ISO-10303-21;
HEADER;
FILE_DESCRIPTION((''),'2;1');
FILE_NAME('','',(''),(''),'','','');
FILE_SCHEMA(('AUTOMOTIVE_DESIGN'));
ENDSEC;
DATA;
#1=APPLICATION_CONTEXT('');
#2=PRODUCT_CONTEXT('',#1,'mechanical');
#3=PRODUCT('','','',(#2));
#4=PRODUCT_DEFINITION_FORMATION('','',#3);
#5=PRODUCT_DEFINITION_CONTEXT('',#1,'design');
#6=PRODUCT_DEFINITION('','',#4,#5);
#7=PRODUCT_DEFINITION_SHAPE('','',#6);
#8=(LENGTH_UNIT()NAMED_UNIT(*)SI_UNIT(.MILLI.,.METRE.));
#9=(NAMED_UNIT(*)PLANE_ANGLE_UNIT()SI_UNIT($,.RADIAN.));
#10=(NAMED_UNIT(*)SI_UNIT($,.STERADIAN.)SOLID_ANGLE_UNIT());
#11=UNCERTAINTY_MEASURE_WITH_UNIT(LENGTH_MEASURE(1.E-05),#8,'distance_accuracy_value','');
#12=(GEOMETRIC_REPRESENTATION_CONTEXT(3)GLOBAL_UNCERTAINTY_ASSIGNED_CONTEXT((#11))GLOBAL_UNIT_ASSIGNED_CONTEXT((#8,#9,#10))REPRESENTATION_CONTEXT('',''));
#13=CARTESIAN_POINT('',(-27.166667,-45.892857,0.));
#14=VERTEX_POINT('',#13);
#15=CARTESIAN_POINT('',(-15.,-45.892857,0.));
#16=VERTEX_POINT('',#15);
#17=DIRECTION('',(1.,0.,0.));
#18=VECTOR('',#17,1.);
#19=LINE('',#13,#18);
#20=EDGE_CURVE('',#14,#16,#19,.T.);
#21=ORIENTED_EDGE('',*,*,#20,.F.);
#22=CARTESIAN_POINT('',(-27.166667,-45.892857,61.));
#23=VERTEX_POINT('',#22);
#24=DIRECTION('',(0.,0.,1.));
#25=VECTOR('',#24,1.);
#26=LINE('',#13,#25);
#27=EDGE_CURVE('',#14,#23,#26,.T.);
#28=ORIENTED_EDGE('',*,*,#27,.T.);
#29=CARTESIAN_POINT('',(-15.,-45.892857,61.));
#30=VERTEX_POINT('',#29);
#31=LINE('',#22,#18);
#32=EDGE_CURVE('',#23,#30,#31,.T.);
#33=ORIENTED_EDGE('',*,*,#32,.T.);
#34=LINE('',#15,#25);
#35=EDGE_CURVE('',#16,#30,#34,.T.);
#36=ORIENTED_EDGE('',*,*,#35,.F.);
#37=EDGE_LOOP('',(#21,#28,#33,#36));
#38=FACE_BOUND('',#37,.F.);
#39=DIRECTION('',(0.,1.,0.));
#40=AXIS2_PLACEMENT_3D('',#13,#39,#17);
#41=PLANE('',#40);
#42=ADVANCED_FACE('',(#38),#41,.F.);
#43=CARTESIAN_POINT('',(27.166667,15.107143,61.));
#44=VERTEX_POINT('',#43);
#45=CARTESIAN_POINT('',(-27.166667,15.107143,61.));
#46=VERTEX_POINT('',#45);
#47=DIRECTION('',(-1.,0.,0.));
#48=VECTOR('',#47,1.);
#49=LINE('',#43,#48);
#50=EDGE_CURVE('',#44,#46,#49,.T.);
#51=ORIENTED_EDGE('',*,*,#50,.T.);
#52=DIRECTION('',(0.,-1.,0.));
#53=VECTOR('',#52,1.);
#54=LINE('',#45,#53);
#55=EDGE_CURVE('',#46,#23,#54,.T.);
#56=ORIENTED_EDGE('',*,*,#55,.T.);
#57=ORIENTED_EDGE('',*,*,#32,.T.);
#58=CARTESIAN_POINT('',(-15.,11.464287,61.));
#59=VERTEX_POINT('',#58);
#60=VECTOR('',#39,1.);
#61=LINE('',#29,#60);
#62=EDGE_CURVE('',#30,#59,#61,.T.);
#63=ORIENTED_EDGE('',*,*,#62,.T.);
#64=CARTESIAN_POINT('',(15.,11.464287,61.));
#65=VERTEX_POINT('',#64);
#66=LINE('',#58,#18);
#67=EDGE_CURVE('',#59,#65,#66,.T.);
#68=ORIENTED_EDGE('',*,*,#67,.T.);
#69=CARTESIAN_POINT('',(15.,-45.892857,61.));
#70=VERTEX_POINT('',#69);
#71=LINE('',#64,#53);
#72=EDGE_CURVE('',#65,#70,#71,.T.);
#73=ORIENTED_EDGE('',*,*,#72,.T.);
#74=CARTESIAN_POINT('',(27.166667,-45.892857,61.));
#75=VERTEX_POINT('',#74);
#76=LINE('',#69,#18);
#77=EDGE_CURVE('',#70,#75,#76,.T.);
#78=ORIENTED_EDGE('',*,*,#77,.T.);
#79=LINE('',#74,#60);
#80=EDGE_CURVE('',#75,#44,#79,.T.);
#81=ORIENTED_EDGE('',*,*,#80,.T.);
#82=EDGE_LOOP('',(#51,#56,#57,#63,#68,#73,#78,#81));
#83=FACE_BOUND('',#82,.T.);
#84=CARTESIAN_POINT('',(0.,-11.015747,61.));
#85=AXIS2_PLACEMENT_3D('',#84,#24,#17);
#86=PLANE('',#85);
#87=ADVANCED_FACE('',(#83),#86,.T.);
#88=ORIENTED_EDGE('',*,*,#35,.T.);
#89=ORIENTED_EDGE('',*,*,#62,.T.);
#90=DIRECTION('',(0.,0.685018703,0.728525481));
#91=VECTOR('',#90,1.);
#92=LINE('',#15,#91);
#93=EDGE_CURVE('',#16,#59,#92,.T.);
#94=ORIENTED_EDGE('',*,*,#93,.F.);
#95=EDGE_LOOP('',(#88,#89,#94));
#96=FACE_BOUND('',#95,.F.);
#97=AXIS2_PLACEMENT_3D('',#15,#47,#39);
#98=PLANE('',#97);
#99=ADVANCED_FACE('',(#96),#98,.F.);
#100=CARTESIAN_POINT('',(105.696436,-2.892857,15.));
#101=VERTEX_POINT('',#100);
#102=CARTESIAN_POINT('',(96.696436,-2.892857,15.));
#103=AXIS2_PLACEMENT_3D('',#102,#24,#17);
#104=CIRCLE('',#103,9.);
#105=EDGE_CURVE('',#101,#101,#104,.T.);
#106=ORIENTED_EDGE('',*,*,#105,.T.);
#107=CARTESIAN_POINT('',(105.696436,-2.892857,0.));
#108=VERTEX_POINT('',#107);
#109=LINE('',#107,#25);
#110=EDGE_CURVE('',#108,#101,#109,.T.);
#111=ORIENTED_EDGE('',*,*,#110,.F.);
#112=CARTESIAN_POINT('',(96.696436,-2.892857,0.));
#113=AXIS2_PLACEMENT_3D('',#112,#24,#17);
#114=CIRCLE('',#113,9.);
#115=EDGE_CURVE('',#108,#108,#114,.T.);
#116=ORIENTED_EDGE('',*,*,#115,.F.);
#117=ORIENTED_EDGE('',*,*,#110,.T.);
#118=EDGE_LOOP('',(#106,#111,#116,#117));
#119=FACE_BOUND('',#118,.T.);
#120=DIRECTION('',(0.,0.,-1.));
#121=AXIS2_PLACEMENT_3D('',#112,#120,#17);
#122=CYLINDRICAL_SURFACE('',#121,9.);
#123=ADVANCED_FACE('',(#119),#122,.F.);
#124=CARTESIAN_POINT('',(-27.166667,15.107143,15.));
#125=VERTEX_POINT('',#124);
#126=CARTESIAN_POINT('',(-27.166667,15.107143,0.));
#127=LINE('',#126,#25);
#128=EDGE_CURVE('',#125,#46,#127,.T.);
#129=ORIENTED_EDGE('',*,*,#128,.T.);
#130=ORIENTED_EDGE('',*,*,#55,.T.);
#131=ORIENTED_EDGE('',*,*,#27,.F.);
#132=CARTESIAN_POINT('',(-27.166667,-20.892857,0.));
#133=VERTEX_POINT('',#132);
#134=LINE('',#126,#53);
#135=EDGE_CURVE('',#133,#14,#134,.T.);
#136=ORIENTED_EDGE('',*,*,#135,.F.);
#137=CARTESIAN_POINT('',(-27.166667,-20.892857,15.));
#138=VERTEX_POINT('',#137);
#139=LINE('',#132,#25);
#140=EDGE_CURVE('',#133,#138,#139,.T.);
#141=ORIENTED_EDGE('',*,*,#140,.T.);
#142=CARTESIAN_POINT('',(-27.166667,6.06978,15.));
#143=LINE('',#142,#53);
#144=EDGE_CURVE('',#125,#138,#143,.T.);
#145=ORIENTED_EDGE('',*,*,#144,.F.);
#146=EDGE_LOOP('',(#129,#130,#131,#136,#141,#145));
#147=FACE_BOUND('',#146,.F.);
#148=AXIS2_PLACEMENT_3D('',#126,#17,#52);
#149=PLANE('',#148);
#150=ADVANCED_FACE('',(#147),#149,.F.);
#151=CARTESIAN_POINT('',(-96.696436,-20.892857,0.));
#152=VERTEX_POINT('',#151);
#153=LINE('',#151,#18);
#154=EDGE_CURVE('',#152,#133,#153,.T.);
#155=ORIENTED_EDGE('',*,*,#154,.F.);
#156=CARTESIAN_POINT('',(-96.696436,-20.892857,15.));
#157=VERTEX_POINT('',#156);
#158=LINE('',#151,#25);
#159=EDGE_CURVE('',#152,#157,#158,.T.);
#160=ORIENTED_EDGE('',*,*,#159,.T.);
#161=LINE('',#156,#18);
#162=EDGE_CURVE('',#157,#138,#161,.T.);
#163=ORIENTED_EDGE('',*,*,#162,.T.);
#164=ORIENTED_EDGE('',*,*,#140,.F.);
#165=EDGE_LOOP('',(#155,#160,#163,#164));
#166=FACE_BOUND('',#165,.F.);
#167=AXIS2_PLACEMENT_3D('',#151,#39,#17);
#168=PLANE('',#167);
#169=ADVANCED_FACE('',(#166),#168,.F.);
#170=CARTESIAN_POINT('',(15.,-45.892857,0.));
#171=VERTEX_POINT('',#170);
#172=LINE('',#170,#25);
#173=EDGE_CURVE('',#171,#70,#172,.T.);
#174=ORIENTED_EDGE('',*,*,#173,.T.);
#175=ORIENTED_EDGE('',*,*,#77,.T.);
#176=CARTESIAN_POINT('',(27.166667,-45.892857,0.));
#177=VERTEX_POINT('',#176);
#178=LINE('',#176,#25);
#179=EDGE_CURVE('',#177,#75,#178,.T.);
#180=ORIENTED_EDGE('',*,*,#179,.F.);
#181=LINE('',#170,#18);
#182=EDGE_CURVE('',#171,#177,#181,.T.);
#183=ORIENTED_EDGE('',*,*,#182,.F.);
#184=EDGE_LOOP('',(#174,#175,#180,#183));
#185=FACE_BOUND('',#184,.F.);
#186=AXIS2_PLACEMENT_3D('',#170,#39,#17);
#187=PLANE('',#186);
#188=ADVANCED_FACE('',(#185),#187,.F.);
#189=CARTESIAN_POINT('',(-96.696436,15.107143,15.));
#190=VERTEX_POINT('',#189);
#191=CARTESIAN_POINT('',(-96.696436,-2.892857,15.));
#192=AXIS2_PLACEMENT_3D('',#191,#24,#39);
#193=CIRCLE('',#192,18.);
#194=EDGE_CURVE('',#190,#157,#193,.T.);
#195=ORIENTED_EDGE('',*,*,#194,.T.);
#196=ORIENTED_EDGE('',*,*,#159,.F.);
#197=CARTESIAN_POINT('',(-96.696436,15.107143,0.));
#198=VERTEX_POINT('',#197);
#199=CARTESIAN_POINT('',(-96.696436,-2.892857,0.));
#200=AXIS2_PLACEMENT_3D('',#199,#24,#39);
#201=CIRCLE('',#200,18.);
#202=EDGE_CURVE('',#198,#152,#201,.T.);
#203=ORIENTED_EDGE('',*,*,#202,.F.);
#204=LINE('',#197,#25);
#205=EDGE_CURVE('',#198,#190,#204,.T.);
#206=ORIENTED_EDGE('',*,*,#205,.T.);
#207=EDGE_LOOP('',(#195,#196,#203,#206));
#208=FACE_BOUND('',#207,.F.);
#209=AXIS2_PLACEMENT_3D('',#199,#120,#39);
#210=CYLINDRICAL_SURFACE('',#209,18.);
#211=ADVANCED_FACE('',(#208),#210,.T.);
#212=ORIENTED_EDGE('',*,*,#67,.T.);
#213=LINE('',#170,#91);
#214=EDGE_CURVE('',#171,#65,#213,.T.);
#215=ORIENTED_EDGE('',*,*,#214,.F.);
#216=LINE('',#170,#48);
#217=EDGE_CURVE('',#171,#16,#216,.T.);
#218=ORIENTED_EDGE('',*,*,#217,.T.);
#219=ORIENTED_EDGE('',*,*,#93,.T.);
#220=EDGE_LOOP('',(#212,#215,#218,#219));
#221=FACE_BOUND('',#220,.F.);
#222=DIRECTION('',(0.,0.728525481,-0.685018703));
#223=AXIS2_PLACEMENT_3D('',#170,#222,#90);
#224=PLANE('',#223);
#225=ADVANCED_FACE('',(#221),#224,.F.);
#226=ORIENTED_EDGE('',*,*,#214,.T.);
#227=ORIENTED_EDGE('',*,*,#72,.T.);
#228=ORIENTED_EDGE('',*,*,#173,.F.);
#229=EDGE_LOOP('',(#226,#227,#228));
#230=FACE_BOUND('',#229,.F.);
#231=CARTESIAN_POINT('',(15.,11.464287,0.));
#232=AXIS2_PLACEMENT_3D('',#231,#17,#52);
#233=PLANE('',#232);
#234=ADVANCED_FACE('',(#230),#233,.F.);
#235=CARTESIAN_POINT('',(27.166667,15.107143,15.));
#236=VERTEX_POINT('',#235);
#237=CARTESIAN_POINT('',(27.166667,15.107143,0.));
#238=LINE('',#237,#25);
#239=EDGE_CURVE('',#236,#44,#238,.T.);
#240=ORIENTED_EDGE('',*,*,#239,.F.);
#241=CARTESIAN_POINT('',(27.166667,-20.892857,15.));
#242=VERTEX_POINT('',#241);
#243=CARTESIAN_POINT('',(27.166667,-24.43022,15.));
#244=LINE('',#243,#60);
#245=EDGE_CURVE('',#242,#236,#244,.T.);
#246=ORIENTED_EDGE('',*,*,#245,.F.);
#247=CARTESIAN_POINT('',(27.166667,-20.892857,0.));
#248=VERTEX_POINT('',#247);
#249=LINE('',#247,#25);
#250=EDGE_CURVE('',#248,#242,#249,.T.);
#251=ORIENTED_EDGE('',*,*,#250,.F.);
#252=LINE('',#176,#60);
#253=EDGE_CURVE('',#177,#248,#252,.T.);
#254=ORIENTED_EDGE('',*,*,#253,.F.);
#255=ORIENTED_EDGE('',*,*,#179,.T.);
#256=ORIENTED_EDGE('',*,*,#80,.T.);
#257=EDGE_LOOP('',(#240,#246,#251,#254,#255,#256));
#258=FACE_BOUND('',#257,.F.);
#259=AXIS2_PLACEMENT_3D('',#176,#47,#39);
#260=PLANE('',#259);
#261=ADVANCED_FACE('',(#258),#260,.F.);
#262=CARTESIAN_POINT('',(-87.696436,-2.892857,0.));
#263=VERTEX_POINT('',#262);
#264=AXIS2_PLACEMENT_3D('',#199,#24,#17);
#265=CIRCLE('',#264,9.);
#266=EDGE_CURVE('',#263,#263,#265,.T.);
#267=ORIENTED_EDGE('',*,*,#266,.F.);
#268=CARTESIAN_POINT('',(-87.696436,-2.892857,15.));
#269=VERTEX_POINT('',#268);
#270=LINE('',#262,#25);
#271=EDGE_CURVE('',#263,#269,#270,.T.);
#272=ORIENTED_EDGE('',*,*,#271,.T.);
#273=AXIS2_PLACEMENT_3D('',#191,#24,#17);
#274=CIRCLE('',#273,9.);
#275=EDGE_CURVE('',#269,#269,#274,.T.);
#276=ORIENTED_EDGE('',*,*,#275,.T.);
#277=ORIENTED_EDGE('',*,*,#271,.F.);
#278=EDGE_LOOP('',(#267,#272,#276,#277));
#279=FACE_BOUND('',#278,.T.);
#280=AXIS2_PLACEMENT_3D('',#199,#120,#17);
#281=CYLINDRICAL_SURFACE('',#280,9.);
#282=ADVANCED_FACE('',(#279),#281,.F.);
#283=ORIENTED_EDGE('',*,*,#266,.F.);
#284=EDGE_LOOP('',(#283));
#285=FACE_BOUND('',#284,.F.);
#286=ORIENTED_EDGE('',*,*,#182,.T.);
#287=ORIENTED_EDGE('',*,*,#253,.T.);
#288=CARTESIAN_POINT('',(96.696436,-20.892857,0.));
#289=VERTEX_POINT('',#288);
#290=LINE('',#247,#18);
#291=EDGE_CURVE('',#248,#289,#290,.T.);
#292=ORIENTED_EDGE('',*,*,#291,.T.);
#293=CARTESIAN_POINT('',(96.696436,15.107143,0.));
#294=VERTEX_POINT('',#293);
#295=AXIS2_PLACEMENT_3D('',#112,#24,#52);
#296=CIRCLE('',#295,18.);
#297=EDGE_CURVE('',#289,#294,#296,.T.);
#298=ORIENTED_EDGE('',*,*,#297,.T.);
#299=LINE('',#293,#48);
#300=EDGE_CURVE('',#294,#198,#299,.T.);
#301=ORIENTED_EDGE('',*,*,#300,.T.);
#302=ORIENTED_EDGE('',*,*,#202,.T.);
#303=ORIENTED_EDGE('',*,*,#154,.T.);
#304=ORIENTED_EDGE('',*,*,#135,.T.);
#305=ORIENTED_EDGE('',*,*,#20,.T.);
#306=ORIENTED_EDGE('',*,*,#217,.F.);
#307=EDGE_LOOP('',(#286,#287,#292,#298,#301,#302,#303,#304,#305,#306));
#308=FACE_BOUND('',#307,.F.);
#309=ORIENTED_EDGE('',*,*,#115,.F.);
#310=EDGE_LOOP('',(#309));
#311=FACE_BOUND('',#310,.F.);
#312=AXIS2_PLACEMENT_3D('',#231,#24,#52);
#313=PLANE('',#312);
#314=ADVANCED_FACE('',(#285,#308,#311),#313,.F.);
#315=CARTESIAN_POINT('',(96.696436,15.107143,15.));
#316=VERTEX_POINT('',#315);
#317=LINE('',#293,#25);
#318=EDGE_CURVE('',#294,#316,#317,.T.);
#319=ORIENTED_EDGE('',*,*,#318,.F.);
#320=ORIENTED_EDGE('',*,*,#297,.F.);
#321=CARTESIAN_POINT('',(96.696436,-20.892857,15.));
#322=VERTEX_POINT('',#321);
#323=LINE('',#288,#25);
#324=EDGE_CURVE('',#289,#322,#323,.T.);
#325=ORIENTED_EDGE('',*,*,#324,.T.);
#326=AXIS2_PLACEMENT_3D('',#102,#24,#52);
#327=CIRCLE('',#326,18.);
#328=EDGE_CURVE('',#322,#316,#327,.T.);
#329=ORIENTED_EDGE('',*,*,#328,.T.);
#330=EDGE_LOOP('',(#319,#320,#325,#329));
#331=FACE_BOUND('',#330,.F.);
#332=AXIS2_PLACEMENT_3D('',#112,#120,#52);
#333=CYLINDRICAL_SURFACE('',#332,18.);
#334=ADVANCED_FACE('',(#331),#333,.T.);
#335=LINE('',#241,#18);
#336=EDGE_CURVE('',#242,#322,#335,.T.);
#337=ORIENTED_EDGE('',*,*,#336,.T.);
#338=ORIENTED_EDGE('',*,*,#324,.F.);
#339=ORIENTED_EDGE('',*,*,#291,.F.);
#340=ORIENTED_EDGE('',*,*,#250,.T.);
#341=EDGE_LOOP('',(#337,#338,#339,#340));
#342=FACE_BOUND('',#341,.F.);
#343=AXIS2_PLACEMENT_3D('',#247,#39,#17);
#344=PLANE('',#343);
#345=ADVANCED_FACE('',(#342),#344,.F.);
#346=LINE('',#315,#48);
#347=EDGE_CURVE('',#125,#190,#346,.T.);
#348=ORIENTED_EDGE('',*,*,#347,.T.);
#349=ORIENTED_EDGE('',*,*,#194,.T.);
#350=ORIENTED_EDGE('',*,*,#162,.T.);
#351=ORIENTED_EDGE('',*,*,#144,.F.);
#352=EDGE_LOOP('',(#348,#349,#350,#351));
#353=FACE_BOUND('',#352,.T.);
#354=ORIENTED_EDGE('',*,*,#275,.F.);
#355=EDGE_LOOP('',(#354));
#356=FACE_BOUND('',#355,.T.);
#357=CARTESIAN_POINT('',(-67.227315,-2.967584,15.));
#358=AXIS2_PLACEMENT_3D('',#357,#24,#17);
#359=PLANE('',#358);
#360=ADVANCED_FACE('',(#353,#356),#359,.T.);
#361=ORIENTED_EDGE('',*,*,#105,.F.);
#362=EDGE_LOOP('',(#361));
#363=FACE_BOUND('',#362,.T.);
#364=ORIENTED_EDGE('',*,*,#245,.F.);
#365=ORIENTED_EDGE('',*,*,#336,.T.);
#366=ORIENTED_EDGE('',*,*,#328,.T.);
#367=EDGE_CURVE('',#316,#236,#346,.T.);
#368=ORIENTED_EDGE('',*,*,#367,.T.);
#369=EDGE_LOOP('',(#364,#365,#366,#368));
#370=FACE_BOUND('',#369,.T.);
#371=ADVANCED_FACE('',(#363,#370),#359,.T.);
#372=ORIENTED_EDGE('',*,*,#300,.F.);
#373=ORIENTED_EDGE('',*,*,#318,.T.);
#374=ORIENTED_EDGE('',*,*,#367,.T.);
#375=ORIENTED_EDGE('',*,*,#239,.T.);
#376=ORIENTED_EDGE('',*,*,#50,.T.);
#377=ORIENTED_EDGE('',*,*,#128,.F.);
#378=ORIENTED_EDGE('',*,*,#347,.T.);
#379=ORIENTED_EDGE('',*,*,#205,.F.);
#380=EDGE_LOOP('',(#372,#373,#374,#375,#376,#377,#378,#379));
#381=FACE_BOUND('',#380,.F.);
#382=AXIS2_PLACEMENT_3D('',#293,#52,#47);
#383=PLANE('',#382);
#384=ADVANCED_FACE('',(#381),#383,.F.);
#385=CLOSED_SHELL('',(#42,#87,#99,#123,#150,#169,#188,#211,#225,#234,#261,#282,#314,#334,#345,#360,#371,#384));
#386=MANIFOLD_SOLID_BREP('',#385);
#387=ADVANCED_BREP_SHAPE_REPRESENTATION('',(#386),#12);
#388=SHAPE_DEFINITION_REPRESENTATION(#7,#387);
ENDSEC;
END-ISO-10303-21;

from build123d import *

# Parameters (mm, degrees)
F1_DEPTH = 61
F0_R     = 9
F2_DEPTH = 15
F4_DEPTH = 30


with BuildPart() as f1:
    # F0 (on Top) → F1 (new body)
    with BuildSketch(Plane.XY):
        Polygon((0, 15.107143), (-27.166667, 15.107143), (-27.166667, -20.892857), (-27.166667, -45.892857), (-15, -45.892857), (-15, 11.464287), (0, 11.464287), (15, 11.464287), (15, -45.892857), (27.166667, -45.892857), (27.166667, -20.892857), (27.166667, 15.107143), align=None)
    extrude(amount=F1_DEPTH)

    # F0 (on Top) → F2 (join)
    with BuildSketch(Plane.XY):
        with BuildLine():
            Line((-27.166667, 15.107143), (-96.696436, 15.107143))
            ThreePointArc((-96.696436, 15.107143), (-114.696436, -2.892857), (-96.696436, -20.892857))
            ThreePointArc((-96.696436, -20.892857), (-93.708552, -20.64314), (-90.803571, -19.900918))
            Line((-90.803571, -19.900918), (-90.803571, -20.892857))
            Line((-90.803571, -20.892857), (-27.166667, -20.892857))
            Line((-27.166667, -20.892857), (-27.166667, 15.107143))
        make_face()
        with Locations((-96.696436, -2.892857)):
            Circle(F0_R, mode=Mode.SUBTRACT)
        Polygon((0, 15.107143), (-27.166667, 15.107143), (-27.166667, -20.892857), (-27.166667, -45.892857), (-15, -45.892857), (-15, 11.464287), (0, 11.464287), (15, 11.464287), (15, -45.892857), (27.166667, -45.892857), (27.166667, -20.892857), (27.166667, 15.107143), align=None)
        with BuildLine():
            ThreePointArc((-90.803571, -19.900918), (-93.708552, -20.64314), (-96.696436, -20.892857))
            Line((-96.696436, -20.892857), (-90.803571, -20.892857))
            Line((-90.803571, -20.892857), (-90.803571, -19.900918))
        make_face()
        with BuildLine():
            Line((96.696436, 15.107143), (27.166667, 15.107143))
            Line((27.166667, 15.107143), (27.166667, -20.892857))
            Line((27.166667, -20.892857), (96.696436, -20.892857))
            ThreePointArc((96.696436, -20.892857), (114.696436, -2.892857), (96.696436, 15.107143))
        make_face()
        with Locations((96.696436, -2.892857)):
            Circle(F0_R, mode=Mode.SUBTRACT)
    extrude(amount=F2_DEPTH)

    # F3 (on face) → F4 (join)
    with BuildSketch(Plane(origin=(15, 0, 0), x_dir=(0, -1, 0), z_dir=(-1, 0, 0))):
        Polygon((45.892857, 0), (-11.464287, 61), (-11.464287, 0), align=None)
    extrude(amount=F4_DEPTH)


solid = f1.part
